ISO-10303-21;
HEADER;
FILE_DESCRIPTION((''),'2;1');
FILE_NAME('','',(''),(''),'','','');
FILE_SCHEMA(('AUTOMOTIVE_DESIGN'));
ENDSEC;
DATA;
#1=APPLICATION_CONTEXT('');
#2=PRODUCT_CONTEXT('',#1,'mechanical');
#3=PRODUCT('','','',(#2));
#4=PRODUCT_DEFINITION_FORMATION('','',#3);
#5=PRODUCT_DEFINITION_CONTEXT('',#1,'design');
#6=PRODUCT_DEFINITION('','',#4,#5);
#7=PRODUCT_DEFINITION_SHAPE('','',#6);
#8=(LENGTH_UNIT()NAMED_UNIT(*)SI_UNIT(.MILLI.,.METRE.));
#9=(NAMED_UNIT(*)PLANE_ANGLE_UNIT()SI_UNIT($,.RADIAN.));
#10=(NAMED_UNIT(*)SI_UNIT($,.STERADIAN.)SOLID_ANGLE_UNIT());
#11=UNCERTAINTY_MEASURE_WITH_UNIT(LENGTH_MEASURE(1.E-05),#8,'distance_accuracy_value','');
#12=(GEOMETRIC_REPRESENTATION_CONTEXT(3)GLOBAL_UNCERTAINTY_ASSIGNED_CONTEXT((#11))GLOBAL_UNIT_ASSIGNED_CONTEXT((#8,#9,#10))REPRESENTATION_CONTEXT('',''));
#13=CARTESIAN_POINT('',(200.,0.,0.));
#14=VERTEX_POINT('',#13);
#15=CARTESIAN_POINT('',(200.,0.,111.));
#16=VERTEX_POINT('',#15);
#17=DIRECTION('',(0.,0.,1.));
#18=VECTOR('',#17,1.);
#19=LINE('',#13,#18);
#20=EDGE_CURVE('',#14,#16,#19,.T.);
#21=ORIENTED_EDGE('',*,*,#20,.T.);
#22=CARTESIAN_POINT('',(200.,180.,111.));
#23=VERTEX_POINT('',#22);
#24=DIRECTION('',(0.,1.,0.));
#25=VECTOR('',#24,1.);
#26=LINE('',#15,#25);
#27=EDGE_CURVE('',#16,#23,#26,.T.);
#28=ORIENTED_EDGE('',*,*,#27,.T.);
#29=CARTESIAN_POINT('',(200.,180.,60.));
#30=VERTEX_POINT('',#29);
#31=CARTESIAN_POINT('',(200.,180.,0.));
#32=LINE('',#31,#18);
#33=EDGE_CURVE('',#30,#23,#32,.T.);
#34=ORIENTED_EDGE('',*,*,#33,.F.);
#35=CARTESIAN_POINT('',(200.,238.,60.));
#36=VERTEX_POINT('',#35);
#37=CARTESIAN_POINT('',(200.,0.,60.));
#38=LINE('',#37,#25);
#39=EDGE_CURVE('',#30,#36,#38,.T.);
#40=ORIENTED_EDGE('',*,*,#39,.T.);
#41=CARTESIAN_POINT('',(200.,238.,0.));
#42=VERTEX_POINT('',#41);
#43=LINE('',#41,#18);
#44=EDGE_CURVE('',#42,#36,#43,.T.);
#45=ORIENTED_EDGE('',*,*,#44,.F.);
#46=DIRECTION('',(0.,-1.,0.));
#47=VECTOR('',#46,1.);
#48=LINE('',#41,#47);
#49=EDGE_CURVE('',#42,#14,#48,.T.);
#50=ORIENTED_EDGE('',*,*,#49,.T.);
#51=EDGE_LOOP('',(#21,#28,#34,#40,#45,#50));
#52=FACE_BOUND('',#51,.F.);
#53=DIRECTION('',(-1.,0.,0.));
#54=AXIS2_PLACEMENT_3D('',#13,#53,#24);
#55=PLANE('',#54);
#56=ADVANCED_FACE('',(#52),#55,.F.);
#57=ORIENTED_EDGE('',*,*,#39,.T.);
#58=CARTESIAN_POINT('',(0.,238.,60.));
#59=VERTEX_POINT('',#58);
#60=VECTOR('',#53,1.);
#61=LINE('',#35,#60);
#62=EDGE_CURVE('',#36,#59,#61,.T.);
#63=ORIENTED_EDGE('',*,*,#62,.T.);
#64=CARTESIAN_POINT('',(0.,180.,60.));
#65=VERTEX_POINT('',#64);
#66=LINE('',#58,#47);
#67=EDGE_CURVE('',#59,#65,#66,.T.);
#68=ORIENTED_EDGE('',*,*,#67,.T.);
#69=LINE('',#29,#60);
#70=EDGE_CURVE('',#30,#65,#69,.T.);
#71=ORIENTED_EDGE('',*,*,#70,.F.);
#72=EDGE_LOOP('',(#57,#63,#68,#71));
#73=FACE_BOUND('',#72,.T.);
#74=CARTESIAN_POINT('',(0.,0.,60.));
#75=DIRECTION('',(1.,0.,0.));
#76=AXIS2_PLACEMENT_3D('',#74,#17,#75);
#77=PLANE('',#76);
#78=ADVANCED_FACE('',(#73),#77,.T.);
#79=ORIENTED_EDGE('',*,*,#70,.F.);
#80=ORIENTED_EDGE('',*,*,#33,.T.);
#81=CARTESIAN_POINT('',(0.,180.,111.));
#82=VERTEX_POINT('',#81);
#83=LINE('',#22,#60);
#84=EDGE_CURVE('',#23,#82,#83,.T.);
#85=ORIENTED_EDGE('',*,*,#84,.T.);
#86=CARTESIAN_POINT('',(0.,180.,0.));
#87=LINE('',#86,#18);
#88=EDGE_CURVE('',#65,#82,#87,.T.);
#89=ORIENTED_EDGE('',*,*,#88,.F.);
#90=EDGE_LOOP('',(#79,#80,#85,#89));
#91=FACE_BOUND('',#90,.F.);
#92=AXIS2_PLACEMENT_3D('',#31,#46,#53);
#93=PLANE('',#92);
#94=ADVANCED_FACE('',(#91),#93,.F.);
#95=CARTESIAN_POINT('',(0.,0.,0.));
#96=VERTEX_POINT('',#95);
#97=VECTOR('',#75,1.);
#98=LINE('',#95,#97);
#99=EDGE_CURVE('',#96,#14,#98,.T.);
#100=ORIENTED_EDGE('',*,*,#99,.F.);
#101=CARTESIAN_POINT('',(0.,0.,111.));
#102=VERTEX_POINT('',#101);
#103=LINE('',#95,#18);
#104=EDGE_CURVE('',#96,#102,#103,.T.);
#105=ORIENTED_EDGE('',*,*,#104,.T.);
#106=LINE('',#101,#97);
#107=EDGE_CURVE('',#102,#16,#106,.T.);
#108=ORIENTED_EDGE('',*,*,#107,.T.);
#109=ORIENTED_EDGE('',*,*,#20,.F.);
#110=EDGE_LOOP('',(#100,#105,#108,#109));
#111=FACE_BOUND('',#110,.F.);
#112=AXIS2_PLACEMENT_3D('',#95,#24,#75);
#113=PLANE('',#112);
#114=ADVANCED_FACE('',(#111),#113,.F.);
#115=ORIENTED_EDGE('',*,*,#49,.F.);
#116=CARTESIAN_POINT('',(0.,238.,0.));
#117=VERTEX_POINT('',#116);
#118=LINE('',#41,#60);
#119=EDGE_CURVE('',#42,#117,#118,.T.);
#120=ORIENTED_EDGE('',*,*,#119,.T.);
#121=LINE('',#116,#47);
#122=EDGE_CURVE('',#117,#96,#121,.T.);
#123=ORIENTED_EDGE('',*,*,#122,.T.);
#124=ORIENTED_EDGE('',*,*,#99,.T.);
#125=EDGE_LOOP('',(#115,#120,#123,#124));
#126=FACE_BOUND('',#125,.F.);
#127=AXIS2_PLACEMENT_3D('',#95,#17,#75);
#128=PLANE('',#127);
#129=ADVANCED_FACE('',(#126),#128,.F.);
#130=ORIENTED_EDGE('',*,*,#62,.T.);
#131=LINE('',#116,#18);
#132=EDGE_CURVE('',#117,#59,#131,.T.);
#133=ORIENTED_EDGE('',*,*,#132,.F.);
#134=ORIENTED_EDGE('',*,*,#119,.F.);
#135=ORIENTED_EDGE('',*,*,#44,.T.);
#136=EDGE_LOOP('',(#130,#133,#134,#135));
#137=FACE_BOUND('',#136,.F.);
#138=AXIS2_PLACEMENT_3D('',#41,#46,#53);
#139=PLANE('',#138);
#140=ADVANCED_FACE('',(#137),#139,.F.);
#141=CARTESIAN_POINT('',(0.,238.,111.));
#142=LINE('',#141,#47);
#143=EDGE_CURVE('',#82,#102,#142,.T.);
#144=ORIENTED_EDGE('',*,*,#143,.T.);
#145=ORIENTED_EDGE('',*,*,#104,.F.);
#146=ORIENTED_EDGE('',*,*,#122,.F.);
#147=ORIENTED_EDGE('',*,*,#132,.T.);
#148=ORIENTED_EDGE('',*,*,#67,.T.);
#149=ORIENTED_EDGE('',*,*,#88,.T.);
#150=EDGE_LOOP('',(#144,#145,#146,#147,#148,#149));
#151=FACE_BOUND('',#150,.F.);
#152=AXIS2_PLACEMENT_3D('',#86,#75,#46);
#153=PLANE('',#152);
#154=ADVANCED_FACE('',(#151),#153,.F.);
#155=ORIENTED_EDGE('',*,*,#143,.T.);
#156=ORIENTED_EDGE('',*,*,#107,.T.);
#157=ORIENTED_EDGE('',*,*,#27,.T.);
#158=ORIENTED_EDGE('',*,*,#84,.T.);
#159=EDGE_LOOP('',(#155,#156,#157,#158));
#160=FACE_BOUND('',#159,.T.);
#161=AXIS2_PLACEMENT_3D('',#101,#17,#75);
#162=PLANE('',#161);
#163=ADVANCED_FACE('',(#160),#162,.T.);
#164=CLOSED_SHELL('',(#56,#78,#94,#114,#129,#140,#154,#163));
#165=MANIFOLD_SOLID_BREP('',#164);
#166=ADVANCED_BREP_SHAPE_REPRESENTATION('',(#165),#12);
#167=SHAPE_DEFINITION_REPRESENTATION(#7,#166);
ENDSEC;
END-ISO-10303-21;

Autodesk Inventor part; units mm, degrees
ref_plane "Plan YZ" through (0, 0, 0) normal (1, 0, 0) x (0, 1, 0)
ref_plane "Plan XZ" through (0, 0, 0) normal (0, 1, 0) x (-1, 0, 0)
ref_plane "Plan XY" through (0, 0, 0) normal (0, 0, 1) x (1, 0, 0)
sketch "Esquisse1" plane through (0, 0, 0) normal (0, 0, 1) x (1, 0, 0)
  line L0 (0, 0) -> (200, 0)
  line L1 (200, 0) -> (200, 238)
  line L2 (200, 238) -> (0, 238)
  line L3 (0, 238) -> (0, 0)
  line L4 (0, 0) -> (200, 0)
  line L5 (200, 0) -> (200, 180)
  line L6 (200, 180) -> (0, 180)
  line L7 (0, 180) -> (0, 0)
  point P0 (0, 180)
  dimension "d0" = 200
  dimension "d1" = 238
  dimension "d2" = 180
extrude "Extrusion1" add sketch "Esquisse1" along normal blind 111 contours L3 L6 L1 L0
extrude "Extrusion2" add sketch "Esquisse1" along normal blind 60 contours L3 L2 L1 L6
properties part number "coffretElec"
